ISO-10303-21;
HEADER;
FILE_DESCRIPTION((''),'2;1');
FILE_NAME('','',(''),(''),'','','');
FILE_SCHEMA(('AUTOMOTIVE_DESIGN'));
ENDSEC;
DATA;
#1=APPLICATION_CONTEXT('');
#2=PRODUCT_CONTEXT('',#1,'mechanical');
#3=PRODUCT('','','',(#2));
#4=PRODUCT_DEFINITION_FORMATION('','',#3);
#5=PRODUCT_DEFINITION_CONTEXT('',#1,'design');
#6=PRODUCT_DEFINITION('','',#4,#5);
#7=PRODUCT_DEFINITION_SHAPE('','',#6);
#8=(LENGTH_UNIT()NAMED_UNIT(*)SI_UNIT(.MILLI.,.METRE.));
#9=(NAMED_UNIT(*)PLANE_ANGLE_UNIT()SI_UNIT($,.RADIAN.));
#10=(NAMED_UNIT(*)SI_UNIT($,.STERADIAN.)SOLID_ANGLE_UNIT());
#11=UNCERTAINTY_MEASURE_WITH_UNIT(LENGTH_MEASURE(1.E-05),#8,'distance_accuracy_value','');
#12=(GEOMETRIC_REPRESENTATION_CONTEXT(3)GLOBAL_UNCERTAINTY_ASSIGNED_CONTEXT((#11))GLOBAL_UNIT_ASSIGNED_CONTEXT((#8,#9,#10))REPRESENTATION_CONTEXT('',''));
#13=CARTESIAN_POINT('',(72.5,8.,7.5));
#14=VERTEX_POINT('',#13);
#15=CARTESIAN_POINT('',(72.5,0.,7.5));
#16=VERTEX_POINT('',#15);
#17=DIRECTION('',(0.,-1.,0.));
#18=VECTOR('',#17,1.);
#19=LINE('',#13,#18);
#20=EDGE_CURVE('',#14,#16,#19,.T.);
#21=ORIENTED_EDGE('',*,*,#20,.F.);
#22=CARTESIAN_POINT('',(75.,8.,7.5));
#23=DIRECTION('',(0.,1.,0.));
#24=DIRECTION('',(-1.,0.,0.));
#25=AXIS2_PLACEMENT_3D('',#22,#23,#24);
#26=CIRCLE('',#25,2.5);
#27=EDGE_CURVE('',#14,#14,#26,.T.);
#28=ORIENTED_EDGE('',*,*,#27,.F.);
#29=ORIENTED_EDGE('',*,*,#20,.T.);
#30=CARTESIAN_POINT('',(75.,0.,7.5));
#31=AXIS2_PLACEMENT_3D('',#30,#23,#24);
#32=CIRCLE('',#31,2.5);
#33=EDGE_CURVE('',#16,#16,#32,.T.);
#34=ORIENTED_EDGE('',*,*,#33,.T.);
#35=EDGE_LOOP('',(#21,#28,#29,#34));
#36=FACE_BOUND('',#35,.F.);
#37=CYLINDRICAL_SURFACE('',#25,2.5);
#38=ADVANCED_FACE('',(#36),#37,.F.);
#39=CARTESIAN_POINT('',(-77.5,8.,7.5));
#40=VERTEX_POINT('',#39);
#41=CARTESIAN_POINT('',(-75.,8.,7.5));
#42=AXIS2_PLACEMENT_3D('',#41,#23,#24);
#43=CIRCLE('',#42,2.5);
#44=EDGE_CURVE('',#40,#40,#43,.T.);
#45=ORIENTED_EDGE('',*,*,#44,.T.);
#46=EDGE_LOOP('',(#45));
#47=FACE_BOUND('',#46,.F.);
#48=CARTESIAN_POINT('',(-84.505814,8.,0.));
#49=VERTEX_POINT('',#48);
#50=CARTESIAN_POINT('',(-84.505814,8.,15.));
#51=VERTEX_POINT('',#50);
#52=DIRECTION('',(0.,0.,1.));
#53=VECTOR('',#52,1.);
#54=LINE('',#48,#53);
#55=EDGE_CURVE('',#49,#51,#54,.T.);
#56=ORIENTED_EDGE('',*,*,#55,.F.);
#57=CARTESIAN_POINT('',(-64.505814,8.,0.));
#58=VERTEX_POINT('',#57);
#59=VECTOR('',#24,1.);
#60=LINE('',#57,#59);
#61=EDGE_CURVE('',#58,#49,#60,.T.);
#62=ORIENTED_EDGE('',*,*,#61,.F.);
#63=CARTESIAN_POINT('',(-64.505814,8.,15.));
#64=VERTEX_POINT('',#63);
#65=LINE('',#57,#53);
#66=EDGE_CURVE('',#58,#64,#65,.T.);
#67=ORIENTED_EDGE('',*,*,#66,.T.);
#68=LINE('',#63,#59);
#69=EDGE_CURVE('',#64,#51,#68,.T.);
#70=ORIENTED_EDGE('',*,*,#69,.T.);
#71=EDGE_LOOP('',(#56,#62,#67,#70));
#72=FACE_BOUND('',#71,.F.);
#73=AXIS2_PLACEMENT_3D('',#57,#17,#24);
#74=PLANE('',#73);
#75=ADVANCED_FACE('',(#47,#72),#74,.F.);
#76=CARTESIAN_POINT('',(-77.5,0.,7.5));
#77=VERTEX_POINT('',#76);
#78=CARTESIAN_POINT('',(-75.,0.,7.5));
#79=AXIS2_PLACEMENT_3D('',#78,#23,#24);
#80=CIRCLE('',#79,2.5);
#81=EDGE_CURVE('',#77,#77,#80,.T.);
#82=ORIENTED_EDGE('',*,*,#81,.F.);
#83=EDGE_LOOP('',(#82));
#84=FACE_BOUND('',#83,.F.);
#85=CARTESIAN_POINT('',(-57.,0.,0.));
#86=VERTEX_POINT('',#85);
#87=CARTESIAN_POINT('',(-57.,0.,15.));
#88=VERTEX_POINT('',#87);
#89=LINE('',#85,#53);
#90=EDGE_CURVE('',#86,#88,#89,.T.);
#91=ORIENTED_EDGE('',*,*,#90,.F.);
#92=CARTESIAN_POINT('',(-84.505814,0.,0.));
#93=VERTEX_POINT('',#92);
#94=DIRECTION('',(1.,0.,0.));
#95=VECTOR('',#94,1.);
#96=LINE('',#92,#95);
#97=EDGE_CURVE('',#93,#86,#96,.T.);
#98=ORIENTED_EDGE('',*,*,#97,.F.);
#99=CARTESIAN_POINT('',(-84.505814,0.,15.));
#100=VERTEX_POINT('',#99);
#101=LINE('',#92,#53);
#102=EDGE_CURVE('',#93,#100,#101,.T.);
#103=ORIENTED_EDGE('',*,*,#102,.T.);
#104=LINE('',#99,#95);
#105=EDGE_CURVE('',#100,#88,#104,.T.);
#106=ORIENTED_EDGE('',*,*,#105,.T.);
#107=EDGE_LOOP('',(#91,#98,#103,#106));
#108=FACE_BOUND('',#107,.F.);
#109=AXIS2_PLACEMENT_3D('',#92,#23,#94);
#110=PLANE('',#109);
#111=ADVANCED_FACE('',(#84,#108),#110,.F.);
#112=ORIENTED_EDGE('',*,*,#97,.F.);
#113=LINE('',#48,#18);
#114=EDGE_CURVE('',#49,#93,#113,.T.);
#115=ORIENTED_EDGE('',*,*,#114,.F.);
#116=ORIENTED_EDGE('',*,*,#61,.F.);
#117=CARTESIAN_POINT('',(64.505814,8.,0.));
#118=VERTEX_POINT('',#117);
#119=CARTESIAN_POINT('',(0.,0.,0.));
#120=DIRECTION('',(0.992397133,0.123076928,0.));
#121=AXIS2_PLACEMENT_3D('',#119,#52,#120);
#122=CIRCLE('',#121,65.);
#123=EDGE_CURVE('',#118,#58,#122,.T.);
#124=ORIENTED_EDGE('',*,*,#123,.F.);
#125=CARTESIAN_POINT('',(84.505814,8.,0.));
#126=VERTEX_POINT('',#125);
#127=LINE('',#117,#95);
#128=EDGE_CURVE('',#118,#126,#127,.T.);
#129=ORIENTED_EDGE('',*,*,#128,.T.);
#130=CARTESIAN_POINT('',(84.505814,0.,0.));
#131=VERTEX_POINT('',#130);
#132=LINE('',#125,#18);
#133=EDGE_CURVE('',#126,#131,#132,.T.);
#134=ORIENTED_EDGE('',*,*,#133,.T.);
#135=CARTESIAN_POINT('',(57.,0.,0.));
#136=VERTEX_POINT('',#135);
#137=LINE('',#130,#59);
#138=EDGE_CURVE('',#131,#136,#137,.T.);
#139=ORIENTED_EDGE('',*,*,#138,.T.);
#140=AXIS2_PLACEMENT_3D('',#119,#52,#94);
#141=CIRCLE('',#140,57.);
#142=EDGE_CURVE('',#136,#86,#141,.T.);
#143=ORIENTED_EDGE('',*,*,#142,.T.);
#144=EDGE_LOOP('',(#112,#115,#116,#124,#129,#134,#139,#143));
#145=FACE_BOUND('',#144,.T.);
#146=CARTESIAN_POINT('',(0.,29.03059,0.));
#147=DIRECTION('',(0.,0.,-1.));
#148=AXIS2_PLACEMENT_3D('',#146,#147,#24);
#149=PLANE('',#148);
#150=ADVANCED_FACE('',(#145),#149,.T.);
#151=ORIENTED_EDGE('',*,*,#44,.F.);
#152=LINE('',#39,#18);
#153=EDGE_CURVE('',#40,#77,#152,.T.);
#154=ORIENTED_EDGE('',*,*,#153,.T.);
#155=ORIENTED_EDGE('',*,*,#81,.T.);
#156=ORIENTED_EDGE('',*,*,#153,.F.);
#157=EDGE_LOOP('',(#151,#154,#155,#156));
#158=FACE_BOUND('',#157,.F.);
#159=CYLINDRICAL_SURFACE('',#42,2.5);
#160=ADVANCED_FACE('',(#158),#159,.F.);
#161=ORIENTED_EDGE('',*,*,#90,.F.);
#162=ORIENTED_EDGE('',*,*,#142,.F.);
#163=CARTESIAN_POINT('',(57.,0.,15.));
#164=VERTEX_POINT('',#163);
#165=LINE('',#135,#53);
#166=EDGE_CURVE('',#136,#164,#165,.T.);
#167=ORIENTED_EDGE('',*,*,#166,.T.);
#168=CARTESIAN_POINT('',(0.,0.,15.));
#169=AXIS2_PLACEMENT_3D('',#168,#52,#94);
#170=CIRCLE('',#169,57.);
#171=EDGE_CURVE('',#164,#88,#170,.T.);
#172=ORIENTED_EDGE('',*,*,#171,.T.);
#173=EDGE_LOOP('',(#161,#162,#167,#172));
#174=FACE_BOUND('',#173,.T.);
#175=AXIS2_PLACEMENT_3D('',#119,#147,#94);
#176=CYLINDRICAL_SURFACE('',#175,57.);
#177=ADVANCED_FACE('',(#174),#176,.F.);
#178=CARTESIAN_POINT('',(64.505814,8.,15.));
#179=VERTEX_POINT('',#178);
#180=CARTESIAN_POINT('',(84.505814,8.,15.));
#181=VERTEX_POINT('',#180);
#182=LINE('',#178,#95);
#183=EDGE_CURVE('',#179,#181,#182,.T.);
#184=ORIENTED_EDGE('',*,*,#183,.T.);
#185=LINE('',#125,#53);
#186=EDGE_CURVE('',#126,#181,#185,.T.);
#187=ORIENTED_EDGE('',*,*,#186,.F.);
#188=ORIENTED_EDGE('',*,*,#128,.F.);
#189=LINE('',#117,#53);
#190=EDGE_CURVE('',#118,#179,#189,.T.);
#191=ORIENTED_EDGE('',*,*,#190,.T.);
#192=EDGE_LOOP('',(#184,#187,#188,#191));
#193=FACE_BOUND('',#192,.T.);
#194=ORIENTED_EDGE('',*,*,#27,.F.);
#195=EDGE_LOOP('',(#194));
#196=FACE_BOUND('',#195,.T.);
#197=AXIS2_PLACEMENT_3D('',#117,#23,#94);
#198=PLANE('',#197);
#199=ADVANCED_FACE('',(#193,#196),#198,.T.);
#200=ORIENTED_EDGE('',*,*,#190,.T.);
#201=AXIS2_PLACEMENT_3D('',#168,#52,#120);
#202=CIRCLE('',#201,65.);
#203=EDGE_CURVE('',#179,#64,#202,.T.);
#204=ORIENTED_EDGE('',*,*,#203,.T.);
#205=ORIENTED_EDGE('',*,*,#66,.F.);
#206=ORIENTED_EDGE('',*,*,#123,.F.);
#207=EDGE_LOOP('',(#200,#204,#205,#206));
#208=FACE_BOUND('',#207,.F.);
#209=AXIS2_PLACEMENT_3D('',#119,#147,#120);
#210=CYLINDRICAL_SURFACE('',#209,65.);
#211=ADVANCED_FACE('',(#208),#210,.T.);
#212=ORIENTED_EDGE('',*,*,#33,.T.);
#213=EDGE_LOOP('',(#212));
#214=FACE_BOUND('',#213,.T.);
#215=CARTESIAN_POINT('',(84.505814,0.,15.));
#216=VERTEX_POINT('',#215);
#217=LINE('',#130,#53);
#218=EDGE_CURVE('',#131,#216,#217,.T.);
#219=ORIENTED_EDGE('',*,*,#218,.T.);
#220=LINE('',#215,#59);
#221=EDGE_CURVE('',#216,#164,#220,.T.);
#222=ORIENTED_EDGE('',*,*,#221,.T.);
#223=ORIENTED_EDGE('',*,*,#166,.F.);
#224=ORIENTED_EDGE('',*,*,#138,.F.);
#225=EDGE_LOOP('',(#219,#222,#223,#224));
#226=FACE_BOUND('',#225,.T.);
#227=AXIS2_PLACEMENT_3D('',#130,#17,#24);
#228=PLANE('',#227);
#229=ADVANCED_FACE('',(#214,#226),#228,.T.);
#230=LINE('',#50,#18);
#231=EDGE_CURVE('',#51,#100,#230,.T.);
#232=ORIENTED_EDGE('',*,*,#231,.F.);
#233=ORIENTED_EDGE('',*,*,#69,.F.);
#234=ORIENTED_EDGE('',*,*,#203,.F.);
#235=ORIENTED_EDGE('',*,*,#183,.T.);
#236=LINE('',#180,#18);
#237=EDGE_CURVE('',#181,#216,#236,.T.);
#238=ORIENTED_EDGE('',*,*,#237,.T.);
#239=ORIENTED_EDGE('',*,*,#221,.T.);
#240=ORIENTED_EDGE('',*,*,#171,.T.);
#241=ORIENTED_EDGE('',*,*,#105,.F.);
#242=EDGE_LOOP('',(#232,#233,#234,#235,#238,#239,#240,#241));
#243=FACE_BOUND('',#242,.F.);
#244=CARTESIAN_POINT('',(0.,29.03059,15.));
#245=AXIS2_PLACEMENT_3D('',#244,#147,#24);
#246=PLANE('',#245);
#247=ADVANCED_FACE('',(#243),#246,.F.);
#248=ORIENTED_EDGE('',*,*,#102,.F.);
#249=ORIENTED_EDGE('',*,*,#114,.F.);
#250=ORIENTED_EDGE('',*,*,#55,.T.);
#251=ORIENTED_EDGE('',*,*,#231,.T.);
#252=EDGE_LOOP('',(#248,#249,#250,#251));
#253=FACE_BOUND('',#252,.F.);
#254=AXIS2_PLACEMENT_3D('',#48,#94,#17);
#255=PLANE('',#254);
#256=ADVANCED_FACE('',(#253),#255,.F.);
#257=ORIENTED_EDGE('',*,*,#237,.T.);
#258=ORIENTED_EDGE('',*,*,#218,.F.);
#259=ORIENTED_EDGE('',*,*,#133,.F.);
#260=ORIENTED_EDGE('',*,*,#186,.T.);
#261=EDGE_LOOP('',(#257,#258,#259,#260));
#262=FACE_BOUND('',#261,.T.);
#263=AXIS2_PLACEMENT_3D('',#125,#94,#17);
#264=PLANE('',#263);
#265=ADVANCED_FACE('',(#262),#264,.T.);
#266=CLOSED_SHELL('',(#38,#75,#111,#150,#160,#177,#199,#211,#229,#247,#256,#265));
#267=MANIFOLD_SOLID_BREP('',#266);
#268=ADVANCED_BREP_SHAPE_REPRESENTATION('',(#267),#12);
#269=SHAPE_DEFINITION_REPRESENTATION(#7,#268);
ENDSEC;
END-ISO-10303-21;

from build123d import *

# Parameters (mm, degrees)
PAD_DEPTH    = 15
SKETCH001_R  = 2.5
POCKET_DEPTH = 10


with BuildPart() as part:
    # Sketch → Pad (new body)
    with BuildSketch(Plane.XY):
        with BuildLine():
            ThreePointArc((57, 0), (0, 57), (-57, 0))
            Line((-84.505814, 0), (-57, 0))
            Line((-84.505814, 8), (-84.505814, 0))
            Line((-64.505814, 8), (-84.505814, 8))
            ThreePointArc((64.505814, 8), (0, 65), (-64.505814, 8))
            Line((64.505814, 8), (84.505814, 8))
            Line((84.505814, 8), (84.505814, 0))
            Line((84.505814, 0), (57, 0))
        make_face()
    extrude(amount=PAD_DEPTH)

    # Sketch001 (on Face1 of Pad) → Pocket (cut)
    with BuildSketch(Plane(origin=(0, 8, 0), x_dir=(-1, 0, 0), z_dir=(0, 1, 0))):
        with Locations((-75, 7.5)):
            Circle(SKETCH001_R)
        with Locations((75, 7.5)):
            Circle(SKETCH001_R)
    extrude(amount=-POCKET_DEPTH, mode=Mode.SUBTRACT)


solid = part.part
